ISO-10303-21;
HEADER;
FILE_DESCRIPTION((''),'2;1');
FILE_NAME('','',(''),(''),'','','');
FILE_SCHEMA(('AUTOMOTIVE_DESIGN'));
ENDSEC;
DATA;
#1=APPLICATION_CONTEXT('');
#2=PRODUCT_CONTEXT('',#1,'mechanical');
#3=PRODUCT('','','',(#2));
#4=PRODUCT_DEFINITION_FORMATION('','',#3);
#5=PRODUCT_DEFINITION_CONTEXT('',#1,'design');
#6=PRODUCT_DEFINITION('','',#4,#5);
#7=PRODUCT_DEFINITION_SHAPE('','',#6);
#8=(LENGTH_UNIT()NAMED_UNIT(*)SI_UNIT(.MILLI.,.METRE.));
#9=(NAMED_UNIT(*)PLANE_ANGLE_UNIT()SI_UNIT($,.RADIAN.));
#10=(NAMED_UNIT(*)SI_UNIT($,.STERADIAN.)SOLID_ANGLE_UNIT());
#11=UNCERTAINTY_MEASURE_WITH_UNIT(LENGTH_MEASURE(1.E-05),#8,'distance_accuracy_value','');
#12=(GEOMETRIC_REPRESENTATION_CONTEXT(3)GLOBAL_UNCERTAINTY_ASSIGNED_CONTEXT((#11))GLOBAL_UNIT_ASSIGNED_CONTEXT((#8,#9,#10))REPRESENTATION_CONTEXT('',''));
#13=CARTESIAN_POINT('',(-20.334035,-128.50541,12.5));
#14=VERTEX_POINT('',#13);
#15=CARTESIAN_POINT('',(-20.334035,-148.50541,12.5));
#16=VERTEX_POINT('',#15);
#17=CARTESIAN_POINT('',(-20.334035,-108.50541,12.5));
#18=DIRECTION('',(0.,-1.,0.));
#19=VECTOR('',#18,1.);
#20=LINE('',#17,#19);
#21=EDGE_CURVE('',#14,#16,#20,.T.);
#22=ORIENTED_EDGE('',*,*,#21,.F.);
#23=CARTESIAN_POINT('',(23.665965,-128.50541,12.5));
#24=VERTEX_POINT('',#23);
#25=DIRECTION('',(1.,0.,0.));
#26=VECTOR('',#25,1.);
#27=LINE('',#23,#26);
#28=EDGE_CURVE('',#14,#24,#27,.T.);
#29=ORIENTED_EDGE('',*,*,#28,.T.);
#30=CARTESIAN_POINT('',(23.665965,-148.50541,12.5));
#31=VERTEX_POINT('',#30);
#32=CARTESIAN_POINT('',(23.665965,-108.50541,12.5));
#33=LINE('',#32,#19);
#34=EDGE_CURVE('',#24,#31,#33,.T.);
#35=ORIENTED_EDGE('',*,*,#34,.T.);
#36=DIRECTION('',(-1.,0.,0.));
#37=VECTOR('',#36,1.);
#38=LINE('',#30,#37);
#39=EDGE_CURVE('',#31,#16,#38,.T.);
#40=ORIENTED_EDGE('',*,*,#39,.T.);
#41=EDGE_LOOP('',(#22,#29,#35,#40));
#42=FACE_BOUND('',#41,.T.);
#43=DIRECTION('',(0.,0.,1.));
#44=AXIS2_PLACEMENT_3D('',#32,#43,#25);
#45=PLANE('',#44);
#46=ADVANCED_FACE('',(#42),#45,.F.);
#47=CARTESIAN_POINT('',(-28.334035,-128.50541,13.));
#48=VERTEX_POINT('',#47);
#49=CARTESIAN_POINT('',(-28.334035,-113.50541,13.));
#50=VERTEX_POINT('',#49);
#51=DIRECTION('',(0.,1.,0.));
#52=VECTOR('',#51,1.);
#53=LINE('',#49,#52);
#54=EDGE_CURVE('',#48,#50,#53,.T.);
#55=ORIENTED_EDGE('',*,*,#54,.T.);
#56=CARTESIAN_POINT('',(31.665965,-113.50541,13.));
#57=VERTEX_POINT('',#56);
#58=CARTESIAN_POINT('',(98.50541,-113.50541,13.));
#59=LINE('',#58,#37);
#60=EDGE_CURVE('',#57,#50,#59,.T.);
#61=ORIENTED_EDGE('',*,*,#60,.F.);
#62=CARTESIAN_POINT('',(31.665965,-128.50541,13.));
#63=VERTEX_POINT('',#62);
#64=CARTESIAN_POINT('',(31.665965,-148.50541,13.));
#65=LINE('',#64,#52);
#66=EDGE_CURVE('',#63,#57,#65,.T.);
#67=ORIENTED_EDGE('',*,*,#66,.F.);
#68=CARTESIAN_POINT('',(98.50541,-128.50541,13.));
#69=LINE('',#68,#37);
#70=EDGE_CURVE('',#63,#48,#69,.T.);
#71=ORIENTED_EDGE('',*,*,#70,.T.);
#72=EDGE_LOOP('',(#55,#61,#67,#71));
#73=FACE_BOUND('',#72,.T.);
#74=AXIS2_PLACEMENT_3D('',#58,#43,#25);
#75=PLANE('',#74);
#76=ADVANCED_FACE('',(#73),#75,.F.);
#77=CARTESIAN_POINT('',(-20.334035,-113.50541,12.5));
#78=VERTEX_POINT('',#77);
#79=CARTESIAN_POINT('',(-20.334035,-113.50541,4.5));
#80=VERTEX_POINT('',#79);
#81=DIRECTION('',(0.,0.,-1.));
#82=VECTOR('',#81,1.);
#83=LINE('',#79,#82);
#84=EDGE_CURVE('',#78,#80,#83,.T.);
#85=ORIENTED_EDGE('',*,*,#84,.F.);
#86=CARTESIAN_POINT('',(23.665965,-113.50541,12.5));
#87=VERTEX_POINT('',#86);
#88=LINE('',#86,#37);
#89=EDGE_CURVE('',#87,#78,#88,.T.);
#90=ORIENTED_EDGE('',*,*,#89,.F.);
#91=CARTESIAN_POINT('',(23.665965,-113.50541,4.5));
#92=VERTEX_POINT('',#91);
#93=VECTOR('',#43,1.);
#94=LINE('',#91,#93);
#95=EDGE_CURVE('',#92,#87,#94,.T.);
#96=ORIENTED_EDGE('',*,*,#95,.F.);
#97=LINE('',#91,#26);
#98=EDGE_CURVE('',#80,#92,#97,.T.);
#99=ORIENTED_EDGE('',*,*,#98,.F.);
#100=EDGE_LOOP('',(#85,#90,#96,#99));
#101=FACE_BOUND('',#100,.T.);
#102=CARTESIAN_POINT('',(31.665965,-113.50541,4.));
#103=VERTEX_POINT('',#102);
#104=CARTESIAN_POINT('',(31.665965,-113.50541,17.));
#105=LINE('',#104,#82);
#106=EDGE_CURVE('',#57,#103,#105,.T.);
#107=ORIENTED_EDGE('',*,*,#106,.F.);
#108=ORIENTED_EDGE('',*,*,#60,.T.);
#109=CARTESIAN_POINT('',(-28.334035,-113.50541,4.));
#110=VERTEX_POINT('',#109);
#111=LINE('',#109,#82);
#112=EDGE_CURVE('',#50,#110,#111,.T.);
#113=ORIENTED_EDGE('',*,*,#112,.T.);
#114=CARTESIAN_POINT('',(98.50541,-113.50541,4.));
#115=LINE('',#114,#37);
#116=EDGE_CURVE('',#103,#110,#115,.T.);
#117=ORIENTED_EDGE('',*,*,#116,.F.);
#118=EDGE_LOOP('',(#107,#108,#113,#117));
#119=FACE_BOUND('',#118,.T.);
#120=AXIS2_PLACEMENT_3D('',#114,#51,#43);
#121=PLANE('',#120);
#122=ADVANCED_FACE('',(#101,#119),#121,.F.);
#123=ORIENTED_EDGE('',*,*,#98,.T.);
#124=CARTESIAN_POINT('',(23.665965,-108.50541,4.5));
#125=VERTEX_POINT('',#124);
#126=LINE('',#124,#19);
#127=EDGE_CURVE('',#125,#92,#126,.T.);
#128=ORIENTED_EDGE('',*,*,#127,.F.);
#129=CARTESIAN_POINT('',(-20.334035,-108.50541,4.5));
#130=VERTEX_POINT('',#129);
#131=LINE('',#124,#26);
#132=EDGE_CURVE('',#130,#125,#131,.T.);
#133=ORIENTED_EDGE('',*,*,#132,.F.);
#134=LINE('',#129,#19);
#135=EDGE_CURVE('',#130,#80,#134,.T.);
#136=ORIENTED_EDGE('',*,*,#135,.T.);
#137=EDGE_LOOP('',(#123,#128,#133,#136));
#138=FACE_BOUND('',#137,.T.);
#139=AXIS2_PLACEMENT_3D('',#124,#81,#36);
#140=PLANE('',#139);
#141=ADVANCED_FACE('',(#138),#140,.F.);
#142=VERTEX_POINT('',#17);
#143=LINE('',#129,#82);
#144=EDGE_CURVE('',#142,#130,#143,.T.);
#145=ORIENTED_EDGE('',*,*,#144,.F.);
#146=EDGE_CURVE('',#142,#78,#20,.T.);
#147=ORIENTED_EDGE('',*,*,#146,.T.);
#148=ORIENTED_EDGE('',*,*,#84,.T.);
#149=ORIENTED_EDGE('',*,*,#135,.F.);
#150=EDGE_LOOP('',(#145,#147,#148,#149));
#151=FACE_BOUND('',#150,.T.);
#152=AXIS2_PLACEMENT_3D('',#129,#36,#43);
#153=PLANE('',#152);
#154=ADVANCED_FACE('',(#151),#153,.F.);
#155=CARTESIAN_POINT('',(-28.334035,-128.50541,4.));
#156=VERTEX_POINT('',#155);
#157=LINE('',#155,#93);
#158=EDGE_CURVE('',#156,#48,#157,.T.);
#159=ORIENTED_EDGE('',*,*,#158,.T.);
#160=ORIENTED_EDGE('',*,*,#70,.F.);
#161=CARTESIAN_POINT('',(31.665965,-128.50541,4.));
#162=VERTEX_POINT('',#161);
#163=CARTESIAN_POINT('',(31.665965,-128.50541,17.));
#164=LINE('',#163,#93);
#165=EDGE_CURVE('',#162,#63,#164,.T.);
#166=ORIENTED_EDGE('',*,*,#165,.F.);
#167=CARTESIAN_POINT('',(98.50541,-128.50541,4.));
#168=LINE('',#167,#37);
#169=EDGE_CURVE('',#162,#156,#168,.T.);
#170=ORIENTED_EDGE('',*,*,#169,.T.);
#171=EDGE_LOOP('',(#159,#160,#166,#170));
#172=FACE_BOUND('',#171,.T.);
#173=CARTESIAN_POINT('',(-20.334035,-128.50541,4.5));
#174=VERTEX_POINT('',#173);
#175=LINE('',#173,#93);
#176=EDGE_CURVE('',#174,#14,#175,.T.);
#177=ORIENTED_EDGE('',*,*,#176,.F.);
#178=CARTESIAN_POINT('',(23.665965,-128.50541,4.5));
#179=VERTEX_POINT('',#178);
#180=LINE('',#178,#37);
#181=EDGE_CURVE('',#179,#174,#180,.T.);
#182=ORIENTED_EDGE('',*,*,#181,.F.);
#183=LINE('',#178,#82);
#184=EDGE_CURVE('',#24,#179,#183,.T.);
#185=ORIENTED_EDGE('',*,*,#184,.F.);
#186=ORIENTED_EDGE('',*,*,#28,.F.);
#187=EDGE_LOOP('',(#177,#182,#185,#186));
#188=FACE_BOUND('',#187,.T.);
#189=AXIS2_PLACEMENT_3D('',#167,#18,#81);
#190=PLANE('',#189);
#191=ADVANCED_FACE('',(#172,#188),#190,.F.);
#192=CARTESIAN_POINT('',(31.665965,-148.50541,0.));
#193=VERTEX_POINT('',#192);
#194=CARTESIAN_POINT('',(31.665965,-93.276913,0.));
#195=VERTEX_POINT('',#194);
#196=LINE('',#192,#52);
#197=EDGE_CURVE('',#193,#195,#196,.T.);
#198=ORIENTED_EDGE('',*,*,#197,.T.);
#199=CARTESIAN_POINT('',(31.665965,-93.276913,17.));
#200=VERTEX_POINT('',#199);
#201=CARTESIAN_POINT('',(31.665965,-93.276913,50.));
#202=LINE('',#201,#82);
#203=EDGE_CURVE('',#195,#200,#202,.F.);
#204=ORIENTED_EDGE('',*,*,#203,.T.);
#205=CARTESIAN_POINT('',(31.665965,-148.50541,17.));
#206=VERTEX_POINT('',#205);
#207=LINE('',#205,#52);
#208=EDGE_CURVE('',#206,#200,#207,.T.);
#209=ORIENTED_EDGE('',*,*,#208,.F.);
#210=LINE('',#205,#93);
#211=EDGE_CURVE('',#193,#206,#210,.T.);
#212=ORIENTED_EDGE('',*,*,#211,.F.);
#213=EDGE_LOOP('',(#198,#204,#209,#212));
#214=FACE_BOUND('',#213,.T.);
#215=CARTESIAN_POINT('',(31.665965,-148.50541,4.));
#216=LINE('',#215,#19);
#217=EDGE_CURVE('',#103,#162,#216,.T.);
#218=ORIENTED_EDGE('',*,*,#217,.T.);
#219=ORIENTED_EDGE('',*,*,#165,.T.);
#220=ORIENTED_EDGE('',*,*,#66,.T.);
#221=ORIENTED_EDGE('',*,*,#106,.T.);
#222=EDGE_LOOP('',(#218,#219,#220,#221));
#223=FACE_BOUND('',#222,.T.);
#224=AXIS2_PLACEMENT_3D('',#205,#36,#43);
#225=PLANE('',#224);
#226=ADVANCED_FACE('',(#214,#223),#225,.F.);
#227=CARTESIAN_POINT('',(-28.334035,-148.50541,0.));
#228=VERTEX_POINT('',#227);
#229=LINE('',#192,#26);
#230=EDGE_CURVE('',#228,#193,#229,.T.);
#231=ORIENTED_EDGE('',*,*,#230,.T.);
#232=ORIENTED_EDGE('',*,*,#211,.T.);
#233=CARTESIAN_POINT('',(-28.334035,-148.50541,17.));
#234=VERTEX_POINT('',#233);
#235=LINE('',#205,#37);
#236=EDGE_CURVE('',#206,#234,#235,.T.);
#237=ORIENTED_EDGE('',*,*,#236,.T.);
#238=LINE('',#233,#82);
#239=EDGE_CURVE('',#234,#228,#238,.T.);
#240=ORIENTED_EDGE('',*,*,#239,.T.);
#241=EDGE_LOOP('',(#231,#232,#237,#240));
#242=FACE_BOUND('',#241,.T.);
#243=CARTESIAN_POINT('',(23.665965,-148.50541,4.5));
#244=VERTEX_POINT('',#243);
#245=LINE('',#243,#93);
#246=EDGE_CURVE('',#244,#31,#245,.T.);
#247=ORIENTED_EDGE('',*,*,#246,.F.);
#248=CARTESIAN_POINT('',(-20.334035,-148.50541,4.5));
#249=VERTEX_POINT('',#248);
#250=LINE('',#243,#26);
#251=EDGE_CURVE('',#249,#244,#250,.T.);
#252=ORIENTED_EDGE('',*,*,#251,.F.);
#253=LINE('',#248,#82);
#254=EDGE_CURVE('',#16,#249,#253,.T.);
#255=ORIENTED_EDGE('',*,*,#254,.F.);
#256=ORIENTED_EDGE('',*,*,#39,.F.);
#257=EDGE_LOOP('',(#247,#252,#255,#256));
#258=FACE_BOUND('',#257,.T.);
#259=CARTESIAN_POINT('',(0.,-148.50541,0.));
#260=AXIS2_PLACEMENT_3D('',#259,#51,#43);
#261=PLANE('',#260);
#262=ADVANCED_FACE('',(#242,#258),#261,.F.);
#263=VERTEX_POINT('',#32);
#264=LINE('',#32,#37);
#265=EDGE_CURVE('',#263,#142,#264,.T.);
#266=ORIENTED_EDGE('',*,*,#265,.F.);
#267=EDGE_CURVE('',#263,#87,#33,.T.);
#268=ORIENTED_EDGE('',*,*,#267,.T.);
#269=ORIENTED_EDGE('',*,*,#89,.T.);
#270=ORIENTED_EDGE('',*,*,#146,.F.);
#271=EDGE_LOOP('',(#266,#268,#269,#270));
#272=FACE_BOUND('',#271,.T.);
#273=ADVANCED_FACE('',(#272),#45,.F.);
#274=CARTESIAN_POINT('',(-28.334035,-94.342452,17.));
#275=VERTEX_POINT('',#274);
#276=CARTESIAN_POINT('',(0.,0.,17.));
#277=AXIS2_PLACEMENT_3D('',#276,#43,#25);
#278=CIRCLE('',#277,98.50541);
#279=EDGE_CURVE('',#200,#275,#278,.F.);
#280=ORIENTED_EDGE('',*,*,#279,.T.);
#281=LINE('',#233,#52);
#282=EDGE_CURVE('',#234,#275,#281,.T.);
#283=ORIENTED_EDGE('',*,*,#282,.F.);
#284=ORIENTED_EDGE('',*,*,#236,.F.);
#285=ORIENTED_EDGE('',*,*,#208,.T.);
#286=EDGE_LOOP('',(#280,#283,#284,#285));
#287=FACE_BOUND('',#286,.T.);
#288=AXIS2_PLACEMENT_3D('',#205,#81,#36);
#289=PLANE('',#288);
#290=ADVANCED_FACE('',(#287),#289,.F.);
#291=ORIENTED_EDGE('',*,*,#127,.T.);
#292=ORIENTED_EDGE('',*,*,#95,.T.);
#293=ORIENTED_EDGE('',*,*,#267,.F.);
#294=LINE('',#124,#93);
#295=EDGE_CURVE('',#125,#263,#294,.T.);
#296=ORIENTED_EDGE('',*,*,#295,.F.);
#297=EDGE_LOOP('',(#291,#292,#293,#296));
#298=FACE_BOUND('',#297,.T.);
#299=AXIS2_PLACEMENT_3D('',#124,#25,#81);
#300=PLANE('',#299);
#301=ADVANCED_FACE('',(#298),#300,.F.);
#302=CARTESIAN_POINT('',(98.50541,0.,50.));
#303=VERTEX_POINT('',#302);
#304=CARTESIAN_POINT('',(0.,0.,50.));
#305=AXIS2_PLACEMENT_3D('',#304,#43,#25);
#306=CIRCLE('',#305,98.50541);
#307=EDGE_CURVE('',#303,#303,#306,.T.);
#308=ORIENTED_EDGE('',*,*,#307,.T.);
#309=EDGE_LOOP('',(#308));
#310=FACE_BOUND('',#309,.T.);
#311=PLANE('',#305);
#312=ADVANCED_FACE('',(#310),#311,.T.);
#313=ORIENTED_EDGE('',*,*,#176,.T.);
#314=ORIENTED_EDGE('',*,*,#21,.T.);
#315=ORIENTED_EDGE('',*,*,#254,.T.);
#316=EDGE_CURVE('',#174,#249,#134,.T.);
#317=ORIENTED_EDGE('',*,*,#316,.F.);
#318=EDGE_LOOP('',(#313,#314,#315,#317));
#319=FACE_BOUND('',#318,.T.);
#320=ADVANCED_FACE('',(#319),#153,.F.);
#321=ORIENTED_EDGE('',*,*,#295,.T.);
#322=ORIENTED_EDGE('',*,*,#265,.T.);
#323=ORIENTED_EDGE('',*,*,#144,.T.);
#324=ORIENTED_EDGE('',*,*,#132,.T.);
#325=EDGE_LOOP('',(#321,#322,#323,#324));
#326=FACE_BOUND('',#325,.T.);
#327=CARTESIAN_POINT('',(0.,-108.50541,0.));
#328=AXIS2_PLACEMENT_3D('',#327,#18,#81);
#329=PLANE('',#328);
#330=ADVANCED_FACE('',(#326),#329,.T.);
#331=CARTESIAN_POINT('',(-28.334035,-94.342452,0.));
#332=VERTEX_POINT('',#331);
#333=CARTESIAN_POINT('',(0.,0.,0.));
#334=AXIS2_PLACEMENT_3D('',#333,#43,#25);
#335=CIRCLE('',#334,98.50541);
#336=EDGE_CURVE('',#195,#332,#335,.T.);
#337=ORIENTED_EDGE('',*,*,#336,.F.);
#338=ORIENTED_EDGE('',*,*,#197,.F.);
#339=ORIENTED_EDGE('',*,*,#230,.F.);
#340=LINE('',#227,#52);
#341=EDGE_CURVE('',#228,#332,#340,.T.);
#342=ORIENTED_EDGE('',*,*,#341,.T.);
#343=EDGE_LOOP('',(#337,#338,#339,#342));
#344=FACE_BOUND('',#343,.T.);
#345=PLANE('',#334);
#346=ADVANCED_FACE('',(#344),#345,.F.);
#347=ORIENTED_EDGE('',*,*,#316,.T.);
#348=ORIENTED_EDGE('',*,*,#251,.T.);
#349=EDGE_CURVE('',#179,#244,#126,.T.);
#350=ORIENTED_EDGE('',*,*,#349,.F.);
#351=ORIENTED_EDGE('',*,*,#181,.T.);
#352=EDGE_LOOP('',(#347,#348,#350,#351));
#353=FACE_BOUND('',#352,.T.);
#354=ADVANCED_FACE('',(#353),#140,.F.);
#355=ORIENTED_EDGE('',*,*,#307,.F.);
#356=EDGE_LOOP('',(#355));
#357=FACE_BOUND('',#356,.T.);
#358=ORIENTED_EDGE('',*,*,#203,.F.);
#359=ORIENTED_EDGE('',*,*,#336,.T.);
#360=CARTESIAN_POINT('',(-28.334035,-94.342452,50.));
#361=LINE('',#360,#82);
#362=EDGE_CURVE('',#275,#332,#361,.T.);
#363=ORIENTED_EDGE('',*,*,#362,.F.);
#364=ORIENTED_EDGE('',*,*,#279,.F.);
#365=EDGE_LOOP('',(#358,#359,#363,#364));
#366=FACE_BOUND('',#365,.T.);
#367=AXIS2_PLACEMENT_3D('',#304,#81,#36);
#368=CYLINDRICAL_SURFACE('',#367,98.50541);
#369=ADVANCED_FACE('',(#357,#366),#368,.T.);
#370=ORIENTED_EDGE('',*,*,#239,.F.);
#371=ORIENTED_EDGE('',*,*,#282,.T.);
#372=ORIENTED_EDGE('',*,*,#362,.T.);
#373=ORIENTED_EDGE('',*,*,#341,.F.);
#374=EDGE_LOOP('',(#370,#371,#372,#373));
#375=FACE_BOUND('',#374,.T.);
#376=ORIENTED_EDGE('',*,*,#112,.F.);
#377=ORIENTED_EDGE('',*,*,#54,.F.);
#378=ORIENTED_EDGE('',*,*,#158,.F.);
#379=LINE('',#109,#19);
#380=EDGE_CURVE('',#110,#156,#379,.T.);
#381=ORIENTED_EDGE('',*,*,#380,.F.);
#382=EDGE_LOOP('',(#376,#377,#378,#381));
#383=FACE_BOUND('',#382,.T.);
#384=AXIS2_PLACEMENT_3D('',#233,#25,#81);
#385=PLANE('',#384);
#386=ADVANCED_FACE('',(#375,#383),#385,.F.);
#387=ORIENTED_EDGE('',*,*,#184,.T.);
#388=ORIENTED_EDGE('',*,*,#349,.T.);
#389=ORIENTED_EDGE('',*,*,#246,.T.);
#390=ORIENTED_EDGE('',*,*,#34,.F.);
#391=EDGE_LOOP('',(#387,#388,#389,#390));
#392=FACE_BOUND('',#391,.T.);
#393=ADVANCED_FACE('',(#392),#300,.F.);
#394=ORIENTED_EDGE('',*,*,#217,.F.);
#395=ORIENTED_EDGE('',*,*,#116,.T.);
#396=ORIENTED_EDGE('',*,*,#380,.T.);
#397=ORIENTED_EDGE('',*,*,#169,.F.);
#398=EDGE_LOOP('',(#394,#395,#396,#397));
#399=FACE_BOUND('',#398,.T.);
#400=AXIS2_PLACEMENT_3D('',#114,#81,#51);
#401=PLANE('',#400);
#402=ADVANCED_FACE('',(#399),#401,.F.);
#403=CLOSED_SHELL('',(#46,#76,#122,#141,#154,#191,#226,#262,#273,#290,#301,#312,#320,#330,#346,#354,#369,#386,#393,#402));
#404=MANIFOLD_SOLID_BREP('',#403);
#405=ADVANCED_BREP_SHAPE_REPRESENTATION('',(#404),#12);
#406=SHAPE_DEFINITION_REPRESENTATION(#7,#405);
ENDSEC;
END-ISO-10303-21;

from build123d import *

# Parameters (mm, degrees)
SKETCH1_R           = 98.505410199
BOSS_EXTRUDE1_DEPTH = 50
BOSS_EXTRUDE2_START = -5.228497
SKETCH2_W           = 60
SKETCH2_H           = 17
BOSS_EXTRUDE2_DEPTH = 55.228497
SKETCH3_W           = 44
SKETCH3_H           = 8
CUT_EXTRUDE1_DEPTH  = 40
SKETCH4_W           = 9
SKETCH4_H           = 15
CUT_EXTRUDE2_DEPTH  = 127.839445164


with BuildPart() as part:
    # Sketch1 → Boss-Extrude1 (new body)
    with BuildSketch(Plane.XY):
        Circle(SKETCH1_R)
    extrude(amount=BOSS_EXTRUDE1_DEPTH)

    # Sketch2 → Boss-Extrude2 (add)
    with BuildSketch(Plane(origin=(0, -98.505410199, 0), x_dir=(-1, 0, 0), z_dir=(0, -1, 0)).offset(BOSS_EXTRUDE2_START)):
        with Locations((-1.665965035, -8.5)):
            Rectangle(SKETCH2_W, SKETCH2_H)
    extrude(amount=BOSS_EXTRUDE2_DEPTH)

    # Sketch3 → Cut-Extrude1 (cut)
    with BuildSketch(Plane.XZ.offset(148.505410199)):
        with Locations((1.665965035, 8.5)):
            Rectangle(SKETCH3_W, SKETCH3_H)
    extrude(amount=-CUT_EXTRUDE1_DEPTH, mode=Mode.SUBTRACT)

    # Sketch4 → Cut-Extrude2 (cut, through all)
    with BuildSketch(Plane.ZY.offset(28.334034965)):
        with Locations((8.5, -121.005410199)):
            Rectangle(SKETCH4_W, SKETCH4_H)
    extrude(amount=-CUT_EXTRUDE2_DEPTH, mode=Mode.SUBTRACT)


solid = part.part
